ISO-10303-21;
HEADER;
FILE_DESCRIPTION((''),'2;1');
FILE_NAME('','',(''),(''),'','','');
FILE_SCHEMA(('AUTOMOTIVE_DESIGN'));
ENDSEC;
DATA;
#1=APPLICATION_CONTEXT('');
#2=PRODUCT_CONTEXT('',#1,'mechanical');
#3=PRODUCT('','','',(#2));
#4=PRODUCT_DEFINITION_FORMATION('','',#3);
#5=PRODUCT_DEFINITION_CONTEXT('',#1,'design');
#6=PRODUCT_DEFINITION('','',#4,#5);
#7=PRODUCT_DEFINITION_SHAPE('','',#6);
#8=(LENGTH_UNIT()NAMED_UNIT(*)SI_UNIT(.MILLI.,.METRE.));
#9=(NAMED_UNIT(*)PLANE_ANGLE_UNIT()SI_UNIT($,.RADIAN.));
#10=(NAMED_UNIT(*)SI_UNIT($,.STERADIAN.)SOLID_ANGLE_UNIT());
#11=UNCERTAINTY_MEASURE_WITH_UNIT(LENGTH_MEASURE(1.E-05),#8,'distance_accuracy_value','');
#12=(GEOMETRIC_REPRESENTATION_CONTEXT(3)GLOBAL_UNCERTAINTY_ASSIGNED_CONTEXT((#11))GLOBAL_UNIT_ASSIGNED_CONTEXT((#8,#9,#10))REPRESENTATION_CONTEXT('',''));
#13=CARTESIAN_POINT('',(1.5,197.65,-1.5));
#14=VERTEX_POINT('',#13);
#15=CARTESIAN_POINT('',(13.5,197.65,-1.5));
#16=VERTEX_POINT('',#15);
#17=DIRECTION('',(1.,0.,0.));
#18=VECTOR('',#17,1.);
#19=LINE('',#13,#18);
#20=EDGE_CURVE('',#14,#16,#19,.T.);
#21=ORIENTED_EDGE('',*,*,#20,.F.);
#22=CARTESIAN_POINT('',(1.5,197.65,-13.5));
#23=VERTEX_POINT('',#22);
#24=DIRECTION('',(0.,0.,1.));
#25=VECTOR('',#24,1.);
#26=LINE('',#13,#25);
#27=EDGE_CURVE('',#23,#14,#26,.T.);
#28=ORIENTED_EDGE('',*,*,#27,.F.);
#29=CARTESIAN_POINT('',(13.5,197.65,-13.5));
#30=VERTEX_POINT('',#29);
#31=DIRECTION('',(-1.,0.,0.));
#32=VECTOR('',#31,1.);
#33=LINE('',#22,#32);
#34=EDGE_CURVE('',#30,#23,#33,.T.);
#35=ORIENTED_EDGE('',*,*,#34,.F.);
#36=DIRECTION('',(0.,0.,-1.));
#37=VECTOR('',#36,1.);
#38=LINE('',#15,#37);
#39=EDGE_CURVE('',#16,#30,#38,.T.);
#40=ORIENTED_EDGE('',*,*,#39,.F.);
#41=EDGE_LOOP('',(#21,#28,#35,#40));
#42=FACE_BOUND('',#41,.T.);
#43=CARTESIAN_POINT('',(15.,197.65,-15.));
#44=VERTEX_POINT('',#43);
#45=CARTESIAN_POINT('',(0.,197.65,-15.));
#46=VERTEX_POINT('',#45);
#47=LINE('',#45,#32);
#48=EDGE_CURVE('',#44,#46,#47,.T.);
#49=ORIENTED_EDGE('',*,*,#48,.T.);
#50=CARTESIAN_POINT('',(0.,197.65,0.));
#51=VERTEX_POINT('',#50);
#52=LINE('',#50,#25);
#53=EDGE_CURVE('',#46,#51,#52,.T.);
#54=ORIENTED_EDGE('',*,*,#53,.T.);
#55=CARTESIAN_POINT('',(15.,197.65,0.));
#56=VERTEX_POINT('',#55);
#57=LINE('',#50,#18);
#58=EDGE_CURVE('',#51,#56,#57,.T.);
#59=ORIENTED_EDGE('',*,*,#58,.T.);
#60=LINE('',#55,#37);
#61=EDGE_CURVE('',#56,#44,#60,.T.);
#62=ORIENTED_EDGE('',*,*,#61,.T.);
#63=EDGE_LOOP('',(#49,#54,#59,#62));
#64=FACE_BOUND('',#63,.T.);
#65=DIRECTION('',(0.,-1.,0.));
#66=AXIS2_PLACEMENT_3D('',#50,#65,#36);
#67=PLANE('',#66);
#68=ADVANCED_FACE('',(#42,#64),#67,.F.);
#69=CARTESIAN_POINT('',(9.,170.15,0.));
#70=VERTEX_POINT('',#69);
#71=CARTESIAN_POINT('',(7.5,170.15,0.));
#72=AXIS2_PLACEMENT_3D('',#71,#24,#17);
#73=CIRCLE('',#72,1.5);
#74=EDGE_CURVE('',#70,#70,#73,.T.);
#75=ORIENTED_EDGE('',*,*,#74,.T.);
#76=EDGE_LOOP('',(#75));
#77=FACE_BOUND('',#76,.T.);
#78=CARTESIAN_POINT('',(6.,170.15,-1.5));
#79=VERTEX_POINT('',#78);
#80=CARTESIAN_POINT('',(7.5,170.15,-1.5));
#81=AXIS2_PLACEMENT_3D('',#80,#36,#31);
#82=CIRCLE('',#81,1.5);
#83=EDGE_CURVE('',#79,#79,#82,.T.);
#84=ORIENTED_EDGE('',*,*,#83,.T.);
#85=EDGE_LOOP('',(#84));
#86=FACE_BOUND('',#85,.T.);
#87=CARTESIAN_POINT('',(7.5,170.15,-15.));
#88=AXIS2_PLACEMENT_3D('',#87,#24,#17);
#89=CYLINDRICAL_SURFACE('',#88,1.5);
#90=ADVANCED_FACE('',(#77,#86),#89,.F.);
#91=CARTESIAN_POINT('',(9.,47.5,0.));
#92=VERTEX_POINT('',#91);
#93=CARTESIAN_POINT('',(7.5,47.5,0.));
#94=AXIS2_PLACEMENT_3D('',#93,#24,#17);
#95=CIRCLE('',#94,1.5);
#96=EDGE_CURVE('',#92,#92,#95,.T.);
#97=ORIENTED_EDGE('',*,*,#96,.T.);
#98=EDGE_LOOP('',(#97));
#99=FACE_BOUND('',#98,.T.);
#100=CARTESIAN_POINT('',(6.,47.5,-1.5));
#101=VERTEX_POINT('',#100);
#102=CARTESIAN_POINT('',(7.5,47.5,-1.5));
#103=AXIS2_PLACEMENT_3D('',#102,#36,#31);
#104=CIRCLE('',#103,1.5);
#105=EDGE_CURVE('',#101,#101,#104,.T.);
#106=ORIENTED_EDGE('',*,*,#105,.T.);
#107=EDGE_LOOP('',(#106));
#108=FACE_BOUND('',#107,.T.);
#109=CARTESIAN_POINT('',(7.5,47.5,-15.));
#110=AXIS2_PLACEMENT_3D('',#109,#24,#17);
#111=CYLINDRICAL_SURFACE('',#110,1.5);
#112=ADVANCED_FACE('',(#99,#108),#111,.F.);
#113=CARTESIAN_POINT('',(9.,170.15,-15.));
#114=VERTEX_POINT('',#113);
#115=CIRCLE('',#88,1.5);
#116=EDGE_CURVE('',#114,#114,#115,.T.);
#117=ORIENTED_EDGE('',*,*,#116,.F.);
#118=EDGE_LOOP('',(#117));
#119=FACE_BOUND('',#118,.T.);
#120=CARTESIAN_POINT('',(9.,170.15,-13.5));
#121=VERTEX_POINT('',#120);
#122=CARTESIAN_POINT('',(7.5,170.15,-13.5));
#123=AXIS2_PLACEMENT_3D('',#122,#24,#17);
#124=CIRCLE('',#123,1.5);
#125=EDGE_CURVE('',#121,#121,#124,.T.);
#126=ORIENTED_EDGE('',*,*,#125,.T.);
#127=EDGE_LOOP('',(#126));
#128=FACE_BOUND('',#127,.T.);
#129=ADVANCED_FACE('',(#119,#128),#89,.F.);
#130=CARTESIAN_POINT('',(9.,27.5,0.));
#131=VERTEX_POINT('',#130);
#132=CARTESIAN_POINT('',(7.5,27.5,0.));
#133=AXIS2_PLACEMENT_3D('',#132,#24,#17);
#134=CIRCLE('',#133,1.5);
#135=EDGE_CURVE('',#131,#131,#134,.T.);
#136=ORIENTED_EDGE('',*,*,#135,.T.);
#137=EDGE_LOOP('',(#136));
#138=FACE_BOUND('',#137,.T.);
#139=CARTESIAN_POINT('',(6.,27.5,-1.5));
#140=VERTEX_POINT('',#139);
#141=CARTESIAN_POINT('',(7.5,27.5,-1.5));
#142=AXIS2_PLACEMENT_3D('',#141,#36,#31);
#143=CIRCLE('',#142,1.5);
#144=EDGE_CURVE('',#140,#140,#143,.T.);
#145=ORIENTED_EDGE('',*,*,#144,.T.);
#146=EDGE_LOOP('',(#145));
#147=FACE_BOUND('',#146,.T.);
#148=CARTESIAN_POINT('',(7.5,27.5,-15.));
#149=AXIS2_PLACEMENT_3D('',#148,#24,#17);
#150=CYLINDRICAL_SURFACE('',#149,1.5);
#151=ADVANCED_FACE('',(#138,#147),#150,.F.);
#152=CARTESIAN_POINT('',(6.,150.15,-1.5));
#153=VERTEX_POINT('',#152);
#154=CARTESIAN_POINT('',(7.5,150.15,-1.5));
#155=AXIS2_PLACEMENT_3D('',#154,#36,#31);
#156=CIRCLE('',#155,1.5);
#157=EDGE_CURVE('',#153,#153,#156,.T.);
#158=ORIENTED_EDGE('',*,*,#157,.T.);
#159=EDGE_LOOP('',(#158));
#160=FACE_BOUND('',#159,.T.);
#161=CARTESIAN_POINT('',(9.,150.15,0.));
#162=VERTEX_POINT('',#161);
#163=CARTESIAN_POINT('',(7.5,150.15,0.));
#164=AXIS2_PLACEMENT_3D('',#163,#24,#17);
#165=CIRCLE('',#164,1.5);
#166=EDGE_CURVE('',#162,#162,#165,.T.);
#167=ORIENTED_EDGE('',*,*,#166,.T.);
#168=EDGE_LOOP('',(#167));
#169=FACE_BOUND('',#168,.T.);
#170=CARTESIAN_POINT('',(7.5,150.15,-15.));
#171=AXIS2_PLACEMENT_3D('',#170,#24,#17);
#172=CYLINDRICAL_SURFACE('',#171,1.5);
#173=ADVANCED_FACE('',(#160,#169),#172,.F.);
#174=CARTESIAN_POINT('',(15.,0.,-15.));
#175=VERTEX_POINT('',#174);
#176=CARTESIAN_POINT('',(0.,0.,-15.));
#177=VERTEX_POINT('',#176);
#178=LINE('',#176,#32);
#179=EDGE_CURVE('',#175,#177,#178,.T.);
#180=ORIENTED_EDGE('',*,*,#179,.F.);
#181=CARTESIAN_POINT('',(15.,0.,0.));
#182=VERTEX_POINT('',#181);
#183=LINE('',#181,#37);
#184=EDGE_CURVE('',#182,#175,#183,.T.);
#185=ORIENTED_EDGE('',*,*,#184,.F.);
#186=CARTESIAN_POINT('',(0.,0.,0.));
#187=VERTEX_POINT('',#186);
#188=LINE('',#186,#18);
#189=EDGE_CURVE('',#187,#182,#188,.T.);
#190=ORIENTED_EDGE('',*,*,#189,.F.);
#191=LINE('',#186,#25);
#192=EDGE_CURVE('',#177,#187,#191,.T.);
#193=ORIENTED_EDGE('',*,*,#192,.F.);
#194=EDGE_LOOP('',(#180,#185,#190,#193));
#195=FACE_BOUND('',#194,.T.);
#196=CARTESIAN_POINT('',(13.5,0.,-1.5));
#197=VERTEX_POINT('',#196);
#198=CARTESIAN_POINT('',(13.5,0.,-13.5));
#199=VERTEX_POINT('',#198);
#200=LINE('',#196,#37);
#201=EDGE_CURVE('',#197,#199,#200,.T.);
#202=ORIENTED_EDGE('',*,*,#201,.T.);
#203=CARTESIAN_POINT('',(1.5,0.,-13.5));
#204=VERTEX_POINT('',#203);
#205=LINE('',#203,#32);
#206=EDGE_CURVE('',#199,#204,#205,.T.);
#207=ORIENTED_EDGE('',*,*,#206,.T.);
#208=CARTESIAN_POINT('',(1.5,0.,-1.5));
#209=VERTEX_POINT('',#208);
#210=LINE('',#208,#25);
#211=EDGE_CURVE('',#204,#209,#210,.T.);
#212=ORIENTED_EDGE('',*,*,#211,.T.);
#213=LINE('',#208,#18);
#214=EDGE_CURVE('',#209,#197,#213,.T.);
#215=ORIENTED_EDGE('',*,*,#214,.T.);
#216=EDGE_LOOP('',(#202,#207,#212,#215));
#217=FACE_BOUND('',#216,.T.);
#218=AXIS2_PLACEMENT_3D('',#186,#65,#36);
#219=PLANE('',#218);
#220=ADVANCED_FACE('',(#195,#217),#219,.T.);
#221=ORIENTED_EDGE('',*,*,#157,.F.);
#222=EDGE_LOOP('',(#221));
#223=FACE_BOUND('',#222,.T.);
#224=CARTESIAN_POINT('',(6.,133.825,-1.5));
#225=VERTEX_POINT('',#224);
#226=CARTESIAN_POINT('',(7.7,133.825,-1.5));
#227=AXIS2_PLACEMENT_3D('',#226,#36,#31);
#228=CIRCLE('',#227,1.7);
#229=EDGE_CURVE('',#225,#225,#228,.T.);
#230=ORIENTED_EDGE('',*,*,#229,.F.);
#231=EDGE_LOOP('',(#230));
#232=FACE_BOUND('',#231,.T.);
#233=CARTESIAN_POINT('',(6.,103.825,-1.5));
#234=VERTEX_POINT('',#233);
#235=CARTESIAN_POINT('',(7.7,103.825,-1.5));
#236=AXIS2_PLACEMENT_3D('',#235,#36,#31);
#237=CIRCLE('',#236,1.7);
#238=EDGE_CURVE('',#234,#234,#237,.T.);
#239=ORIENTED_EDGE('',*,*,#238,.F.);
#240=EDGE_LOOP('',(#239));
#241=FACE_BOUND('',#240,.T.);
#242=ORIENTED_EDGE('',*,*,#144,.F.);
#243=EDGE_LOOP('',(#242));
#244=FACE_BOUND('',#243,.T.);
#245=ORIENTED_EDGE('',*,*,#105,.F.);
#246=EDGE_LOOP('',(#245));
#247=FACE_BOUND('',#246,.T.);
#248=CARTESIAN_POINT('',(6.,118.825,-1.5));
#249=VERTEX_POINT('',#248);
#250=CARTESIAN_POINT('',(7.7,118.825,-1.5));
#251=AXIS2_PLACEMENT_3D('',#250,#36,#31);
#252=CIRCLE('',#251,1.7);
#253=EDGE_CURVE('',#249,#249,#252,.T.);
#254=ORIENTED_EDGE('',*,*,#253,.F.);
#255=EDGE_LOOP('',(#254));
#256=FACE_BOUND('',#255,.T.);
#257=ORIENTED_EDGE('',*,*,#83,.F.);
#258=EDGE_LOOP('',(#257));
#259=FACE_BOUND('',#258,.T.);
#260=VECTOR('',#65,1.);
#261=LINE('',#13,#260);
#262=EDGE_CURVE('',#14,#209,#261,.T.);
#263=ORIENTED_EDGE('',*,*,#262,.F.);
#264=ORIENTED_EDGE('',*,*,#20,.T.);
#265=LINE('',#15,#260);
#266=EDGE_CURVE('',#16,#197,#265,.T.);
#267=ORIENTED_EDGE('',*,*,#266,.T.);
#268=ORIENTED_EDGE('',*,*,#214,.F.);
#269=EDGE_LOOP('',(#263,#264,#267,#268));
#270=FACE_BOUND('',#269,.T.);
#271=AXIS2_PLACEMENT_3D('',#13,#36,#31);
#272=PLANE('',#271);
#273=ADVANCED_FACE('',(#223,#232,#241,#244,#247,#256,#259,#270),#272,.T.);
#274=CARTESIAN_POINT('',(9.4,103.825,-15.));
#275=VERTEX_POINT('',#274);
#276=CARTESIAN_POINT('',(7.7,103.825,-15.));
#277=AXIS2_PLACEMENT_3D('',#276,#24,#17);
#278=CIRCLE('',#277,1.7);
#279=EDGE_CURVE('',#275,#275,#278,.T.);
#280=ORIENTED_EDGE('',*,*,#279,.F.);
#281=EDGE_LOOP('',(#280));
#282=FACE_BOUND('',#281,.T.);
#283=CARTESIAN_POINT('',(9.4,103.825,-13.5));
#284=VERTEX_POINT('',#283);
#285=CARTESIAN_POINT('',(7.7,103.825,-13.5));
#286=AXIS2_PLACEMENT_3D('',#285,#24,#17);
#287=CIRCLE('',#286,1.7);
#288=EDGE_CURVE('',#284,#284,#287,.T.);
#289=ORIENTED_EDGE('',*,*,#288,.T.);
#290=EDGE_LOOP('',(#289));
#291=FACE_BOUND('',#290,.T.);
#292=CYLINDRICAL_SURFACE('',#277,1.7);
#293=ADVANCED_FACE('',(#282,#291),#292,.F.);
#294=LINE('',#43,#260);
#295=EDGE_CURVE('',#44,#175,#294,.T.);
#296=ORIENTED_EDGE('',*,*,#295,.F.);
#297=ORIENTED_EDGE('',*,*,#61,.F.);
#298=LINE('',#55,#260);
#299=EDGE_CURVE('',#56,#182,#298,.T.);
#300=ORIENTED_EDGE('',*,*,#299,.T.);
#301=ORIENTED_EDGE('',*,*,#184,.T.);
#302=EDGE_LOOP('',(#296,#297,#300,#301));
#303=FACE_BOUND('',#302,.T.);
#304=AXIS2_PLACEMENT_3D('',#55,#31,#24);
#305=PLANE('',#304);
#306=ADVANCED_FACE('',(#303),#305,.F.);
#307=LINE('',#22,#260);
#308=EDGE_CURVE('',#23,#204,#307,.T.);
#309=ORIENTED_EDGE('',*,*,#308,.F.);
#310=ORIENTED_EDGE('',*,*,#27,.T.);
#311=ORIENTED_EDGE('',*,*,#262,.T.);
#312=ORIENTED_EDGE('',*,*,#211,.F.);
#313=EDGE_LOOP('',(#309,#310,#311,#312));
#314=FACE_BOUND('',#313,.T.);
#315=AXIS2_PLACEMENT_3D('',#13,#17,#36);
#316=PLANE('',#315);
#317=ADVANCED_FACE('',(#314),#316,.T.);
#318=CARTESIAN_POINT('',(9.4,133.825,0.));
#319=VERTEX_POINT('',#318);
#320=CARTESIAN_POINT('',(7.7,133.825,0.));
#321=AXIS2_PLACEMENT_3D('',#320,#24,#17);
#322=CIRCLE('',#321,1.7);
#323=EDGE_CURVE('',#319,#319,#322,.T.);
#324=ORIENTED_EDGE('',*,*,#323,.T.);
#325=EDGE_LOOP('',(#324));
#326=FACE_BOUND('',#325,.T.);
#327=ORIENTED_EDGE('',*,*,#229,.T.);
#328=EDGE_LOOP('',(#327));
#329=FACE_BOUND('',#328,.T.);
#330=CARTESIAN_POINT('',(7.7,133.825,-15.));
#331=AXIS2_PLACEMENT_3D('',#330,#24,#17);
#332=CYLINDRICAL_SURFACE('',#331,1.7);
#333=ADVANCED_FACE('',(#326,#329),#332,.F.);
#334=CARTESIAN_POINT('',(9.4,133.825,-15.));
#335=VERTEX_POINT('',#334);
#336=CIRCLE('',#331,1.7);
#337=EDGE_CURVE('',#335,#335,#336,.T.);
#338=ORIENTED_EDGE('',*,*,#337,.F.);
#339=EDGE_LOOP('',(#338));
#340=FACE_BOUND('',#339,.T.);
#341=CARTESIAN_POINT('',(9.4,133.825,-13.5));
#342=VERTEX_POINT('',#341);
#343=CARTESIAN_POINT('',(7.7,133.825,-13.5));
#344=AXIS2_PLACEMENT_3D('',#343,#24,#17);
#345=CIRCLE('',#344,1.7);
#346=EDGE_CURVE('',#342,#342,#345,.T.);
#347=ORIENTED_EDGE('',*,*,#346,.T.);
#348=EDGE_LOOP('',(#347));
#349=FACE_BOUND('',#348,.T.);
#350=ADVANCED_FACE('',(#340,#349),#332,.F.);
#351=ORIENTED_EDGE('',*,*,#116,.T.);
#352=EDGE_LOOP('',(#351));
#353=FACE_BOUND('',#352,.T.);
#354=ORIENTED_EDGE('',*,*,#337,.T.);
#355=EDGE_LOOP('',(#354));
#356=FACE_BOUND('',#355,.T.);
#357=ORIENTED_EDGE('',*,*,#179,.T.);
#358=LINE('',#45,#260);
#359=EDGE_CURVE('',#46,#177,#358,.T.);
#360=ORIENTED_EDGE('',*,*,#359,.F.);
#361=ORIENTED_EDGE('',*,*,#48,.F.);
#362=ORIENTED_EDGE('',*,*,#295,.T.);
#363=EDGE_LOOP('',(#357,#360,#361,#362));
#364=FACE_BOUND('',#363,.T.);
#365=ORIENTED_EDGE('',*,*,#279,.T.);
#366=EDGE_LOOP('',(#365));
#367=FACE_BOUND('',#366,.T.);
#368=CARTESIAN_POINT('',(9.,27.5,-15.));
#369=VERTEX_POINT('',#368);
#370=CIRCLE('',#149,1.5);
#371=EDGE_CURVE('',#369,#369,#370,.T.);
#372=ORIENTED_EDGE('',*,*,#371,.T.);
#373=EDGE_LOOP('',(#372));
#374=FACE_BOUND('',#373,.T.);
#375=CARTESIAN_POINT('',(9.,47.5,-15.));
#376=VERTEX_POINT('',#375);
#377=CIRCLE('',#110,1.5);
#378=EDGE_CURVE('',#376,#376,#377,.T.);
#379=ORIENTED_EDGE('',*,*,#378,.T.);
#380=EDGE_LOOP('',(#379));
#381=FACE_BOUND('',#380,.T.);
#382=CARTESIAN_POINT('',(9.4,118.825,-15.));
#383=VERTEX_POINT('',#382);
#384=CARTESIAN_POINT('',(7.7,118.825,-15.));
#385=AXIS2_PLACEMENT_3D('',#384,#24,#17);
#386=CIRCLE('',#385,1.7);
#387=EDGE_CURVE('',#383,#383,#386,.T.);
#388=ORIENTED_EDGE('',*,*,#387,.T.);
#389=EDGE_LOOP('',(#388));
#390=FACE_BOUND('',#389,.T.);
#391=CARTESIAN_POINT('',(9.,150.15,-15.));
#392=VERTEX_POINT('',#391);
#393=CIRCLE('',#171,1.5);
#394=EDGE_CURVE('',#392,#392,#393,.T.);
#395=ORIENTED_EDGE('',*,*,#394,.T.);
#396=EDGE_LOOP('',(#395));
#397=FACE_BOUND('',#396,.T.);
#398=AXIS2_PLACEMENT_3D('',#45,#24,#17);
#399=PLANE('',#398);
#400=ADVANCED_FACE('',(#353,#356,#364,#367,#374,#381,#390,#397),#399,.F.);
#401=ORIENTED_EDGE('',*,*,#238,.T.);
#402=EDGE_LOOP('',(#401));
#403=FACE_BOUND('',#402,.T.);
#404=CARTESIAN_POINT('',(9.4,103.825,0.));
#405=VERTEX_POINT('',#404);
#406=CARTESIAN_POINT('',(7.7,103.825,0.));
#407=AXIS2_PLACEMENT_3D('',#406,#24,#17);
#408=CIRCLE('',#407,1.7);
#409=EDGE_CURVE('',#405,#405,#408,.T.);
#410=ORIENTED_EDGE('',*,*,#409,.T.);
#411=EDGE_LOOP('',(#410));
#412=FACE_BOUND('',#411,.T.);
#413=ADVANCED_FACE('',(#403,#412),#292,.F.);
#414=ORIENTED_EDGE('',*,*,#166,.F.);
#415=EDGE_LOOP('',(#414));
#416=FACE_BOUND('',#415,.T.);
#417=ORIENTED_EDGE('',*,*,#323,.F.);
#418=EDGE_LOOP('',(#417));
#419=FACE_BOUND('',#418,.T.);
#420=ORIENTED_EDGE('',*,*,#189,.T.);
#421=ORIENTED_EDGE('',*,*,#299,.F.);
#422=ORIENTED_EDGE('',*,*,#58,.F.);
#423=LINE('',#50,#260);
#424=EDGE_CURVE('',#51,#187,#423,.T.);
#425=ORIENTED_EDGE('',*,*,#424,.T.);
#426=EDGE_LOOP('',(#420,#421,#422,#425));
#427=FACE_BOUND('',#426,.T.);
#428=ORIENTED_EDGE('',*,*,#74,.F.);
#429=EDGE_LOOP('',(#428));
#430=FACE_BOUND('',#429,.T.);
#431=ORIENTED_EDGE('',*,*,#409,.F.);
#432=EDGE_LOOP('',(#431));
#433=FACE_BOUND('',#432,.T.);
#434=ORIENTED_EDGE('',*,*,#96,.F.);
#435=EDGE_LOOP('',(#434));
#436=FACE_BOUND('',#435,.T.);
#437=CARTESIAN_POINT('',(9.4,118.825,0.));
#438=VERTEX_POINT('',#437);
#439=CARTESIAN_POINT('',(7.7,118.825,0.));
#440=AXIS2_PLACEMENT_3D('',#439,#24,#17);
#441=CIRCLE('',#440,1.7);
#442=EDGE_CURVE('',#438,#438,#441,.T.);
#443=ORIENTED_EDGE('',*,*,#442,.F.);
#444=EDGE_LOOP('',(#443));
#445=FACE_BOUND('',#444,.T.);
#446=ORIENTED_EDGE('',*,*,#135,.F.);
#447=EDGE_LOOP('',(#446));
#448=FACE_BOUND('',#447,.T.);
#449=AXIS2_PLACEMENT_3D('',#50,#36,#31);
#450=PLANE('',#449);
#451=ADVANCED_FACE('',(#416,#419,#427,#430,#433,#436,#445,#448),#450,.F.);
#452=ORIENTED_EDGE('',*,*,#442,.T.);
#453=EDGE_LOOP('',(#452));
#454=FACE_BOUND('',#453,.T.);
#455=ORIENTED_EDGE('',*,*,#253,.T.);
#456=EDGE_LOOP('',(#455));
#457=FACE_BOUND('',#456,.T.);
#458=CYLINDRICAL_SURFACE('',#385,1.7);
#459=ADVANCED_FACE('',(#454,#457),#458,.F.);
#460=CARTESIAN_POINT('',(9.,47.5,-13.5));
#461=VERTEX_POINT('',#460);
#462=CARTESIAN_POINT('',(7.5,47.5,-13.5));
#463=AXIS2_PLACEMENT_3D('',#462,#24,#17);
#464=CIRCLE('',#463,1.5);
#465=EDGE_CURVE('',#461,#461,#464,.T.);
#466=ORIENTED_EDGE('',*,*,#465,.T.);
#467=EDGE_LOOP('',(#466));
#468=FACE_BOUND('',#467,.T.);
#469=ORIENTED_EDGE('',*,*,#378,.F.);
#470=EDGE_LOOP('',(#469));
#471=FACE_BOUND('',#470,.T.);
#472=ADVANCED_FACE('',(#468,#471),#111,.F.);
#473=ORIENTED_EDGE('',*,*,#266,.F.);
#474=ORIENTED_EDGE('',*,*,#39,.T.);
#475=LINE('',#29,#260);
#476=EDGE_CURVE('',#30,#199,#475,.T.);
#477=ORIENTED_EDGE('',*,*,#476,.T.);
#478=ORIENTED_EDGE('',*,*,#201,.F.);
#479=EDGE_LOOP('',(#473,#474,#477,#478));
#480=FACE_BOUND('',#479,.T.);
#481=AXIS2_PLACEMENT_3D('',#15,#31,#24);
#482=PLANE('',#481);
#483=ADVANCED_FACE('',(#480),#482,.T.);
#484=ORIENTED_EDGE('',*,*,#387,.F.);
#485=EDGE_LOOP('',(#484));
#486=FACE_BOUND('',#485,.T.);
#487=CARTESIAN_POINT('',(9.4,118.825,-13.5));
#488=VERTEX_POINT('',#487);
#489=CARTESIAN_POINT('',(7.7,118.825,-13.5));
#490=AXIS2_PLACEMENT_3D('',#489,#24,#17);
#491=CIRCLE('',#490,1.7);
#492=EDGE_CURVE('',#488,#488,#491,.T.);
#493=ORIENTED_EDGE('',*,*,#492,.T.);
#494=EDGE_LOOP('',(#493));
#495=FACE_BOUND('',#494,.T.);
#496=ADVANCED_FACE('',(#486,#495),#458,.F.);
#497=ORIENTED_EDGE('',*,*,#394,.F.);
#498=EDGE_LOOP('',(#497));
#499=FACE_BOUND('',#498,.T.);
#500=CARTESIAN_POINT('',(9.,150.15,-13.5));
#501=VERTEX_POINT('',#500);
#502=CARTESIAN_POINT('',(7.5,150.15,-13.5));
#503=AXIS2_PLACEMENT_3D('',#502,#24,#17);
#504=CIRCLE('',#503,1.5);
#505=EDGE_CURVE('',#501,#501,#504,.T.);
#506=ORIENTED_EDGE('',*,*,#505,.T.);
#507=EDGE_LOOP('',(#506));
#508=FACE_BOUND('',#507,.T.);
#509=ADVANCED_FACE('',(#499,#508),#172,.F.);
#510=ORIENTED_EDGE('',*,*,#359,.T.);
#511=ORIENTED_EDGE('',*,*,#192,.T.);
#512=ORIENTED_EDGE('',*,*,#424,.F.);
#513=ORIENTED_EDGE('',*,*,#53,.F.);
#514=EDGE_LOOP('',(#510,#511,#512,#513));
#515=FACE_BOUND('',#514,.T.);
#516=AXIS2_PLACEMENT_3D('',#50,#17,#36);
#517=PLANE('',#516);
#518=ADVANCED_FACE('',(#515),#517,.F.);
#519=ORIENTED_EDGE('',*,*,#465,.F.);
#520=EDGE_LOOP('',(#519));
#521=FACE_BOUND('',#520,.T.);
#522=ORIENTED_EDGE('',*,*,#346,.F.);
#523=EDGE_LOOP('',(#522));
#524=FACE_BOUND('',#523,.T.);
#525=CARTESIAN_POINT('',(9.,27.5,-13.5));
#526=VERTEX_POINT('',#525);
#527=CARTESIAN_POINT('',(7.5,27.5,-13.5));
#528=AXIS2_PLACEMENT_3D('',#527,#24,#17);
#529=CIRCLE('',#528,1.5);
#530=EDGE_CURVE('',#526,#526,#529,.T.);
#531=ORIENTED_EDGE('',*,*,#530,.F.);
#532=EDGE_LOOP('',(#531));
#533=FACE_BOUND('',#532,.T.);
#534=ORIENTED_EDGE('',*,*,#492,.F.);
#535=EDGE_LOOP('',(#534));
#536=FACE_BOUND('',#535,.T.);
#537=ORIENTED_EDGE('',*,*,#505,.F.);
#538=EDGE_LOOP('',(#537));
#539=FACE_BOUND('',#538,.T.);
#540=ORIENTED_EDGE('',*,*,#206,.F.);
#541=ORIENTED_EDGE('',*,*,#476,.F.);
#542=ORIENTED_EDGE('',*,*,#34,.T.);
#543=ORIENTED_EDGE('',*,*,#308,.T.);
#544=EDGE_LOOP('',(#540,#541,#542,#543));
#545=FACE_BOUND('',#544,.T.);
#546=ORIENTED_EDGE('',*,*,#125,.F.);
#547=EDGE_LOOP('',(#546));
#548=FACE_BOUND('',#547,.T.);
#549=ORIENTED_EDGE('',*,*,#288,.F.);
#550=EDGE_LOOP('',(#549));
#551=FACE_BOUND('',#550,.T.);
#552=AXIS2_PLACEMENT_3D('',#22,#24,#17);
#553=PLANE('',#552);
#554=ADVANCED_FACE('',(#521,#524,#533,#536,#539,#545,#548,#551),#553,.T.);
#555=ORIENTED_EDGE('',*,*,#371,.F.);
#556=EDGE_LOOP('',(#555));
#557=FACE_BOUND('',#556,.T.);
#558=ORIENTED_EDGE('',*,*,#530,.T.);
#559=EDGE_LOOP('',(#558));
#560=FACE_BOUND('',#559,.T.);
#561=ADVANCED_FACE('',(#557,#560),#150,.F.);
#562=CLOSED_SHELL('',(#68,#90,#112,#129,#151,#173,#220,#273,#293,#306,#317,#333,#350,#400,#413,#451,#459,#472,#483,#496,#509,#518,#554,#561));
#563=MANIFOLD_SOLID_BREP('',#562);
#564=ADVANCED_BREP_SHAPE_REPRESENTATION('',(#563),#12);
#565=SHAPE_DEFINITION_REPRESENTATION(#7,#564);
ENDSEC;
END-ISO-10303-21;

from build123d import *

# Parameters (mm, degrees)
SKETCH_1_W          = 15
SKETCH_1_H          = 15
SKETCH_1_W_2        = 12
SKETCH_1_H_2        = 12
EXTRUDE_1_DEPTH     = 197.65
SKETCH_2_R          = 1.5
SKETCH_2_R_2        = 1.7
CUT_EXTRUDE_1_DEPTH = 199.785116395


with BuildPart() as part:
    # 草图1 → 凸台-拉伸1 (new body)
    with BuildSketch(Plane(origin=(0, 0, 0), x_dir=(1, 0, 0), z_dir=(0, 1, 0))):
        with Locations((7.5, 7.5)):
            Rectangle(SKETCH_1_W, SKETCH_1_H)
        with Locations((7.5, 7.5)):
            Rectangle(SKETCH_1_W_2, SKETCH_1_H_2, mode=Mode.SUBTRACT)
    extrude(amount=EXTRUDE_1_DEPTH)

    # 草图2 (on Front Plane) → 切除-拉伸1 (cut, through all)
    with BuildSketch(Plane.XY):
        with Locations((7.5, 47.5)):
            Circle(SKETCH_2_R)
        with Locations((7.5, 27.5)):
            Circle(SKETCH_2_R)
        with Locations((7.7, 103.825)):
            Circle(SKETCH_2_R_2)
        with Locations((7.7, 118.825)):
            Circle(SKETCH_2_R_2)
        with Locations((7.7, 133.825)):
            Circle(SKETCH_2_R_2)
        with Locations((7.5, 150.15)):
            Circle(SKETCH_2_R)
        with Locations((7.5, 170.15)):
            Circle(SKETCH_2_R)
    extrude(amount=-CUT_EXTRUDE_1_DEPTH, mode=Mode.SUBTRACT)


solid = part.part
